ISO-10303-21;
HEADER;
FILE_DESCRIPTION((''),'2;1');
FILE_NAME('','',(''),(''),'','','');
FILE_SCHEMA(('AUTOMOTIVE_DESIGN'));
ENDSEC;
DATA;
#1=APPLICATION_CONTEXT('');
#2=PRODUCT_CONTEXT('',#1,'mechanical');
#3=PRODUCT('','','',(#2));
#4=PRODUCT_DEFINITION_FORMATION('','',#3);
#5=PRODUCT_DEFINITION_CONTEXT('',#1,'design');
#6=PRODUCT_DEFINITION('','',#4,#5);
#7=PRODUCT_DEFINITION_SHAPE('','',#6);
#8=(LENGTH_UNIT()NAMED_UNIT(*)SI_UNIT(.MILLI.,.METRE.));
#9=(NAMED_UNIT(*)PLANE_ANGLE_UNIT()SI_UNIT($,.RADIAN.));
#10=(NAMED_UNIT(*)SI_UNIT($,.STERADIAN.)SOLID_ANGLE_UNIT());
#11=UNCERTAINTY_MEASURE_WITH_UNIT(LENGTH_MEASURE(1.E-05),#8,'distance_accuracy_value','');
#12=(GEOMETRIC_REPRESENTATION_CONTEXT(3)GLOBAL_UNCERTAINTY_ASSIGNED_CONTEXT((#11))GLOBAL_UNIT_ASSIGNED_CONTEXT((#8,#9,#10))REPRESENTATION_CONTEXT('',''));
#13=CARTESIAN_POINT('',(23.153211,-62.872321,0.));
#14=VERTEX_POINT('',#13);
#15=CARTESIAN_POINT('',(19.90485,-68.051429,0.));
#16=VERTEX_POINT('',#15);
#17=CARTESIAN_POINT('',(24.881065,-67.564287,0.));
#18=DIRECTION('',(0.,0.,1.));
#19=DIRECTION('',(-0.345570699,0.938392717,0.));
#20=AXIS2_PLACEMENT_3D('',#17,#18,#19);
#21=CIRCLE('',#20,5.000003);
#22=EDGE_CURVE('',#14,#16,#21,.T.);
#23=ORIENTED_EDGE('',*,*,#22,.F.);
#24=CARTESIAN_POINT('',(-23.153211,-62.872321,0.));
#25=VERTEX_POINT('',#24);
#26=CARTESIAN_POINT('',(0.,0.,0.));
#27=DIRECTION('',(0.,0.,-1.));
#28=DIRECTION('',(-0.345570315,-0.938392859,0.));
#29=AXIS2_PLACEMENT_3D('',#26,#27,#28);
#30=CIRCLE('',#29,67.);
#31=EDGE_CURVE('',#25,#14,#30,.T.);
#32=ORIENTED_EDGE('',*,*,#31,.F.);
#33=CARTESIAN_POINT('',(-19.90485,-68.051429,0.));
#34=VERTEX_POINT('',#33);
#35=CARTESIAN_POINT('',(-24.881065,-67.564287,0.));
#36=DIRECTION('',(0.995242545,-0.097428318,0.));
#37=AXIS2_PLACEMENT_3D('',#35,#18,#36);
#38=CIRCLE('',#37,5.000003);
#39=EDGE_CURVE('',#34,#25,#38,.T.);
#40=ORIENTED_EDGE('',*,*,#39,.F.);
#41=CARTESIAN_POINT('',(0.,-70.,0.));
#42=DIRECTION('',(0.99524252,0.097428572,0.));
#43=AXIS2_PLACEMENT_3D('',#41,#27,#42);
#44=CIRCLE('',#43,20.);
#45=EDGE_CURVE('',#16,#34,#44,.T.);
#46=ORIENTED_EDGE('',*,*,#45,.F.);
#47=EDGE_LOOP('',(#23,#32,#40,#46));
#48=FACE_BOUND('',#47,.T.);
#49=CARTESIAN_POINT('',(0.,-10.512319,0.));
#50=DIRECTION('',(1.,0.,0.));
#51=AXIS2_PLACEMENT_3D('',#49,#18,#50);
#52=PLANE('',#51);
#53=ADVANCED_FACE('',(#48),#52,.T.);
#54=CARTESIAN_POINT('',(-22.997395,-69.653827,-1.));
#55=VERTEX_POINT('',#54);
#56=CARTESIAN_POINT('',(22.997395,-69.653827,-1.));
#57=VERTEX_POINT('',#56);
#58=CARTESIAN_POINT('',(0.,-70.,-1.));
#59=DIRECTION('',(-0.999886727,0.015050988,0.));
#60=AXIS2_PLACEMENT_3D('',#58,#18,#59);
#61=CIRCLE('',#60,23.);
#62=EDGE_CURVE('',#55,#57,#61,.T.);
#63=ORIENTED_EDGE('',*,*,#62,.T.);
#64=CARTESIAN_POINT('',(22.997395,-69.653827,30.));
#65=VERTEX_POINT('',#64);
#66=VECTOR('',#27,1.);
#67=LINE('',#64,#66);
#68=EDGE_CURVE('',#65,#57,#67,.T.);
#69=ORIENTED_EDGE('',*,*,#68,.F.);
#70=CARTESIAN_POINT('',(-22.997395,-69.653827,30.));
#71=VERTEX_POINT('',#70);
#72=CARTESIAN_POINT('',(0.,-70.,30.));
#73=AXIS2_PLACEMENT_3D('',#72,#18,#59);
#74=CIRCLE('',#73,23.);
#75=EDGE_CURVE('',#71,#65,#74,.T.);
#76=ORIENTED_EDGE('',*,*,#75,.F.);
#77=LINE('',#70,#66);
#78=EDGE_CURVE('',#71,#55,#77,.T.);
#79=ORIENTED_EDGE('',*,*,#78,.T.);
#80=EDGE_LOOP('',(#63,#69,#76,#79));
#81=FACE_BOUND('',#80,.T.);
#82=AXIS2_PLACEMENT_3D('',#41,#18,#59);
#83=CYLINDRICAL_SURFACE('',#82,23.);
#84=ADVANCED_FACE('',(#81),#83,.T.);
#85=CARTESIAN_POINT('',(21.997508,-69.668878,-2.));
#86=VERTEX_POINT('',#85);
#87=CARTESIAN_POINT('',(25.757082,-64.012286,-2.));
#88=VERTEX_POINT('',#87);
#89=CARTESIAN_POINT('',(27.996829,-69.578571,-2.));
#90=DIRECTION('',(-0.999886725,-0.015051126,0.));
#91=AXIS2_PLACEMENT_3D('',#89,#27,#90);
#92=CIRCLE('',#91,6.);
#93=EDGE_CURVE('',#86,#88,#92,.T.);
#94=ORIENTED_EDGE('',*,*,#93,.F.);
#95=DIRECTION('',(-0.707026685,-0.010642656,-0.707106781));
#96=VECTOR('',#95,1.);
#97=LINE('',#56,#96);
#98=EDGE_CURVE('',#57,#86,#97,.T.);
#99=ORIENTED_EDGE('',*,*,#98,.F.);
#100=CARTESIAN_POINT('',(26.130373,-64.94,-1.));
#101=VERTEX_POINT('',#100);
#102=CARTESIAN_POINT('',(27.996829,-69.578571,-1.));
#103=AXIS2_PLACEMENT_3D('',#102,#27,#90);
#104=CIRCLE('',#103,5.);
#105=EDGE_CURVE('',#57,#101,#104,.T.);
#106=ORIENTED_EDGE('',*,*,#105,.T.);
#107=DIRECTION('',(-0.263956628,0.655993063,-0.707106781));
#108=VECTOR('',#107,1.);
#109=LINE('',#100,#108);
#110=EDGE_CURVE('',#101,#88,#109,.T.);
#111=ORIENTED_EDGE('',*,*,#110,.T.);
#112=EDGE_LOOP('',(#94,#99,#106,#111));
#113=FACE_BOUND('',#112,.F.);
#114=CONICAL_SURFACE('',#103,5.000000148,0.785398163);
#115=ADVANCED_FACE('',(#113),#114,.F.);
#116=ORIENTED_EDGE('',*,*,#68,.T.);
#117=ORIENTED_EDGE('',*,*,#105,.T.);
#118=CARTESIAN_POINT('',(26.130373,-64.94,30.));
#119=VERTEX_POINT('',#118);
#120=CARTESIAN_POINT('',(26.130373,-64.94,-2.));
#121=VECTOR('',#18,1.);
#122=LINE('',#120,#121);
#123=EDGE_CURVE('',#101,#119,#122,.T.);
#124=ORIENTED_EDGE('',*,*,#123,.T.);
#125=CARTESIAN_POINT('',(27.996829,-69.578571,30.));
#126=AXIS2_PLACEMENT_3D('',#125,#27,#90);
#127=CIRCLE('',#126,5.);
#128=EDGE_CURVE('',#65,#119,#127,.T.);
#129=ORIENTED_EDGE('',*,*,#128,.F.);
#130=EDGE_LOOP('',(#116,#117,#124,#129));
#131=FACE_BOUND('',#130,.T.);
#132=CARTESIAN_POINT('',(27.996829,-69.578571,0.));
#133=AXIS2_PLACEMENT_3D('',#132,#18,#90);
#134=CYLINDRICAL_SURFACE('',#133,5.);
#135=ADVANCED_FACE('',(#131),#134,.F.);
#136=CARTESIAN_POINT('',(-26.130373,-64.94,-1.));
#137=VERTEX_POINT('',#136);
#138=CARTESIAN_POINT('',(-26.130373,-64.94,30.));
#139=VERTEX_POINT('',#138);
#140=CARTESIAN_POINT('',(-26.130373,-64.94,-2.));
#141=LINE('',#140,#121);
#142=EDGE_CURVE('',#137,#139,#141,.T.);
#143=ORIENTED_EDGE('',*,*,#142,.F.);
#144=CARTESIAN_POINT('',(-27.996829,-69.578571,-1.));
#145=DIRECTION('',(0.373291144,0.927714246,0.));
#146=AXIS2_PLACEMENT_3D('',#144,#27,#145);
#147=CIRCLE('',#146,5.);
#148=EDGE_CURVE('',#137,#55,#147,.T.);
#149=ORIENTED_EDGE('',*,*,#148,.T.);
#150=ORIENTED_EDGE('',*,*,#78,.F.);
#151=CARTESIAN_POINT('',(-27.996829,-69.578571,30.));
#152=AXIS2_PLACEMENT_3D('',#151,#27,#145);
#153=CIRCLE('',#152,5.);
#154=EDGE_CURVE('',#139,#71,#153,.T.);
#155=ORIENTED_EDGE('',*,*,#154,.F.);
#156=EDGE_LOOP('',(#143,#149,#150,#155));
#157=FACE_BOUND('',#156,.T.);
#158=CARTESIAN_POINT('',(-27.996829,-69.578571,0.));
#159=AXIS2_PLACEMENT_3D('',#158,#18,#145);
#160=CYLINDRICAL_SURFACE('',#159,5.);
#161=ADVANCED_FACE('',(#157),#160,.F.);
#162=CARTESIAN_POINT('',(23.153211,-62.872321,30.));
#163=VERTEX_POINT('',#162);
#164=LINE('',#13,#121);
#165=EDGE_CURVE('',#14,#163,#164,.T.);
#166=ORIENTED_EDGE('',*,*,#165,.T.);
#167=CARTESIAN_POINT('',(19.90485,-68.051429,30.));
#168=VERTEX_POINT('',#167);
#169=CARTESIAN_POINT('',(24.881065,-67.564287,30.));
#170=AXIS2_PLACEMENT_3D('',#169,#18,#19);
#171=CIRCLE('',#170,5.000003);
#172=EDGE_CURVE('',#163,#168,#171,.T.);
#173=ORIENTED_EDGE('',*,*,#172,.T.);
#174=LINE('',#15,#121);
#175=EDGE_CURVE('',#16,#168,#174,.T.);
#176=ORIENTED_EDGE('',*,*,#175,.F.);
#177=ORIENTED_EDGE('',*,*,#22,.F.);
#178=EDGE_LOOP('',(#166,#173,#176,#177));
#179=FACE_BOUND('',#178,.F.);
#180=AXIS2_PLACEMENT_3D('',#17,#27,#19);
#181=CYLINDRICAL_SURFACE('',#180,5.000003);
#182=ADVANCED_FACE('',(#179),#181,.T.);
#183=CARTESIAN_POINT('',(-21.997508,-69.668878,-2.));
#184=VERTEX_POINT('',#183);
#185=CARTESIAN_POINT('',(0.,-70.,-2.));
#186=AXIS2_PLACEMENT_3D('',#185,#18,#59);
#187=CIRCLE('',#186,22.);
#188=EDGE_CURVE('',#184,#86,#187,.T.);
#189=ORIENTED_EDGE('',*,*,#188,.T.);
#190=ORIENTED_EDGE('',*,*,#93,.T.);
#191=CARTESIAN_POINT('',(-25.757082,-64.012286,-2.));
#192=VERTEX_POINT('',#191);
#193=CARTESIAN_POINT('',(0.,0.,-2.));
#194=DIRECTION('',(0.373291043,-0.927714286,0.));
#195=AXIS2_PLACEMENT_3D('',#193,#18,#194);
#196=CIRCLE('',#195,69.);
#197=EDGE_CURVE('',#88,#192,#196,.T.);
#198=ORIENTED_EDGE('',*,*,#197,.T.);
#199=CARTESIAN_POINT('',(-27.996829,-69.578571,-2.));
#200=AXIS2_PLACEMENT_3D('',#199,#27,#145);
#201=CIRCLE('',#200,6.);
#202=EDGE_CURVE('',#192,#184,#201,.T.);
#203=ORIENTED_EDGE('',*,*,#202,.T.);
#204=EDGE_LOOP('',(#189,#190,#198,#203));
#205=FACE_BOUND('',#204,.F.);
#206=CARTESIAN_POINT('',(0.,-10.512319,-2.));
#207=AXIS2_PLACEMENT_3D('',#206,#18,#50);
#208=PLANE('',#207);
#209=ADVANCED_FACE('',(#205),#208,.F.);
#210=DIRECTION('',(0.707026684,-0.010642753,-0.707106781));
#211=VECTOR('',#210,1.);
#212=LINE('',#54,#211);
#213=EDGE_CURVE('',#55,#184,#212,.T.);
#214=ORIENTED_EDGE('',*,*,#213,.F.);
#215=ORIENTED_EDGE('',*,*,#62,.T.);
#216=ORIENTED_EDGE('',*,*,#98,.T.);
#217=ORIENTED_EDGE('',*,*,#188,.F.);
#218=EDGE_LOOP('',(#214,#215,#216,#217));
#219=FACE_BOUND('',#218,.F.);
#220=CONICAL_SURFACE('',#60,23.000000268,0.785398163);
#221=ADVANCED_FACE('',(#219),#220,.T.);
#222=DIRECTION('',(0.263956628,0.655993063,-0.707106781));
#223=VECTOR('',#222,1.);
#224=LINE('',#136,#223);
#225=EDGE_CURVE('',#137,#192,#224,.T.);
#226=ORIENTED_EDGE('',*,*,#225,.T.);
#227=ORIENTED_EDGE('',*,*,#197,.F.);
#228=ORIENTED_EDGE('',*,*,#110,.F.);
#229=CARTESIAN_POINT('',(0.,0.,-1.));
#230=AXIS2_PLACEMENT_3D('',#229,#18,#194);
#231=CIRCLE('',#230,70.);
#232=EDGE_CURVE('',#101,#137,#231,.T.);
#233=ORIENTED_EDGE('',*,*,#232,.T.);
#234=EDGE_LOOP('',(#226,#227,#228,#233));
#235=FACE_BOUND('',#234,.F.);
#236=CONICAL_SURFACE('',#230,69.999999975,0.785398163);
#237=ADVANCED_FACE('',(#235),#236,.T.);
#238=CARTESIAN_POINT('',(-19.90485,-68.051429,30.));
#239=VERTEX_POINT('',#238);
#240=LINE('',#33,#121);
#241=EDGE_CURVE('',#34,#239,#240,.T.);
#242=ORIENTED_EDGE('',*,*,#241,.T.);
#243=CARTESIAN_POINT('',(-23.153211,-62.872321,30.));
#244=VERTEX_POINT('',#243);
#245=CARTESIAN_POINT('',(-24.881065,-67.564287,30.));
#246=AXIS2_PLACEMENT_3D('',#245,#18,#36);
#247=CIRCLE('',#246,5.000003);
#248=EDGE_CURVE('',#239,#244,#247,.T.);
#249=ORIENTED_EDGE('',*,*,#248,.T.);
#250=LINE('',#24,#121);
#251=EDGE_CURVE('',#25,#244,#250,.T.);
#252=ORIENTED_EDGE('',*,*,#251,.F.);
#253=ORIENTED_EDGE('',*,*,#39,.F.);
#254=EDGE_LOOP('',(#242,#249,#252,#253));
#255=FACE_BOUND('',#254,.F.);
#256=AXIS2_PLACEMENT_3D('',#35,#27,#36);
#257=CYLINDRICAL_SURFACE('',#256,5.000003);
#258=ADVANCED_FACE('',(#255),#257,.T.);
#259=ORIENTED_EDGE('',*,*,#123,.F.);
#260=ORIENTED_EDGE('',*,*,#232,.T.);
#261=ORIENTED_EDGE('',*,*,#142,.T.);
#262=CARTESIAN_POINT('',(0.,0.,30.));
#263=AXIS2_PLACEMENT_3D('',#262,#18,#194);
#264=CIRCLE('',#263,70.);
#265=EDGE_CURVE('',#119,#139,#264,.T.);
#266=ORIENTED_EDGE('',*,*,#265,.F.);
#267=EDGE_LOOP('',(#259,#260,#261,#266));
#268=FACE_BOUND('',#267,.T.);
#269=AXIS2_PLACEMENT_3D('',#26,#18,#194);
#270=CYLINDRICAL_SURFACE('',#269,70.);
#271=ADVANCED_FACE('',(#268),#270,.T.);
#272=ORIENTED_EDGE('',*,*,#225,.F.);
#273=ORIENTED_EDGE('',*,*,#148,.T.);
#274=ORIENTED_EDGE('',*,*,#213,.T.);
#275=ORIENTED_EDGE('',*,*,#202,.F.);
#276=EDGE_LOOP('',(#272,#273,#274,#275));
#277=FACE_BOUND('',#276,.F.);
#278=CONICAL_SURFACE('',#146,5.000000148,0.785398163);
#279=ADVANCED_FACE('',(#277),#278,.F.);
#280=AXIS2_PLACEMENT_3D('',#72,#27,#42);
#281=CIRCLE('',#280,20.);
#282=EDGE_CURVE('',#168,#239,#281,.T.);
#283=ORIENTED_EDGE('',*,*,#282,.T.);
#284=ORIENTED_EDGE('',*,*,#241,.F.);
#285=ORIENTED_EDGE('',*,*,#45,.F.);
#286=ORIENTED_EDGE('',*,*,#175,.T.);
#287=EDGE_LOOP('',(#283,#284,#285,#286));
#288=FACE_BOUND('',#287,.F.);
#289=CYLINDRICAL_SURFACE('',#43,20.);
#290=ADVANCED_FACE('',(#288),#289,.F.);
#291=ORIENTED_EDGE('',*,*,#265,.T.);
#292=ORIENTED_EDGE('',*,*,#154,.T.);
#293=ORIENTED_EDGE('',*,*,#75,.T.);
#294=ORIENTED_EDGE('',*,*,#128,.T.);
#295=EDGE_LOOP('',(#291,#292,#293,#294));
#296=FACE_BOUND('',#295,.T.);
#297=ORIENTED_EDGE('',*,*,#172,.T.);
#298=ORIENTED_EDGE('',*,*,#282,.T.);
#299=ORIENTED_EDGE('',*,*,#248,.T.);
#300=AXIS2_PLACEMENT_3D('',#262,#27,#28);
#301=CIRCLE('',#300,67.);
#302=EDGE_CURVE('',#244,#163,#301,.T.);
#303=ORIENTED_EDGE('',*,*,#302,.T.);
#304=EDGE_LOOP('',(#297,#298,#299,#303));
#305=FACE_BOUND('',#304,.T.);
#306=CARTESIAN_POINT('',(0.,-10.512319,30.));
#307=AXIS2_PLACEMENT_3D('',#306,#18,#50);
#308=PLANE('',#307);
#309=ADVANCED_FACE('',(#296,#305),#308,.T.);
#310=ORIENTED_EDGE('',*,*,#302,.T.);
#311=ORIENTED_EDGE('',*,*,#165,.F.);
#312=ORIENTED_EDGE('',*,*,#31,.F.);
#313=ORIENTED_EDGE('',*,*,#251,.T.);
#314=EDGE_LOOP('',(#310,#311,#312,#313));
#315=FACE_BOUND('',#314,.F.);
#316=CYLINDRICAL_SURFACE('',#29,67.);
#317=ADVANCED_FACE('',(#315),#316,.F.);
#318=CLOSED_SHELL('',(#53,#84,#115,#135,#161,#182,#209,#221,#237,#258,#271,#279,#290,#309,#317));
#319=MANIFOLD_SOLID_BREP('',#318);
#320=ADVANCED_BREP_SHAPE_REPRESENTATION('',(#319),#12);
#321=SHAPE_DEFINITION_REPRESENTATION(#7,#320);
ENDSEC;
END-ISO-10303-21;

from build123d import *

# Parameters (mm, degrees)
F1_DEPTH = 30
F3_DEPTH = 2
F4_SIZE  = 1


with BuildPart() as f1:
    # F0 (on Top) → F1 (new body)
    with BuildSketch(Plane.XY):
        with BuildLine():
            ThreePointArc((22.997395, -69.653827), (23.832678, -66.810928), (26.130373, -64.94))
            ThreePointArc((26.130373, -64.94), (0, 70), (-26.130373, -64.94))
            ThreePointArc((-26.130373, -64.94), (-23.832678, -66.810928), (-22.997395, -69.653827))
            ThreePointArc((-22.997395, -69.653827), (0, -93), (22.997395, -69.653827))
        make_face()
        with BuildLine():
            ThreePointArc((-23.153211, -62.872321), (0, 67), (23.153211, -62.872321))
            ThreePointArc((23.153211, -62.872321), (20.645274, -64.907579), (19.90485, -68.051429))
            ThreePointArc((19.90485, -68.051429), (0, -90), (-19.90485, -68.051429))
            ThreePointArc((-19.90485, -68.051429), (-20.645274, -64.907579), (-23.153211, -62.872321))
        make_face(mode=Mode.SUBTRACT)
    extrude(amount=F1_DEPTH)

    # F2 (on Top) → F3 (join)
    with BuildSketch(Plane.XY):
        with BuildLine():
            ThreePointArc((22.997395, -69.653827), (23.832678, -66.810928), (26.130373, -64.94))
            ThreePointArc((26.130373, -64.94), (0, 70), (-26.130373, -64.94))
            ThreePointArc((-26.130373, -64.94), (-23.832678, -66.810928), (-22.997395, -69.653827))
            ThreePointArc((-22.997395, -69.653827), (0, -93), (22.997395, -69.653827))
        make_face()
    extrude(amount=-F3_DEPTH)

    # F4
    f4_edges = [f1.edges().sort_by_distance(p)[0] for p in [
        (0, 70, -2),
    ]]
    chamfer(f4_edges, length=F4_SIZE)


solid = f1.part
